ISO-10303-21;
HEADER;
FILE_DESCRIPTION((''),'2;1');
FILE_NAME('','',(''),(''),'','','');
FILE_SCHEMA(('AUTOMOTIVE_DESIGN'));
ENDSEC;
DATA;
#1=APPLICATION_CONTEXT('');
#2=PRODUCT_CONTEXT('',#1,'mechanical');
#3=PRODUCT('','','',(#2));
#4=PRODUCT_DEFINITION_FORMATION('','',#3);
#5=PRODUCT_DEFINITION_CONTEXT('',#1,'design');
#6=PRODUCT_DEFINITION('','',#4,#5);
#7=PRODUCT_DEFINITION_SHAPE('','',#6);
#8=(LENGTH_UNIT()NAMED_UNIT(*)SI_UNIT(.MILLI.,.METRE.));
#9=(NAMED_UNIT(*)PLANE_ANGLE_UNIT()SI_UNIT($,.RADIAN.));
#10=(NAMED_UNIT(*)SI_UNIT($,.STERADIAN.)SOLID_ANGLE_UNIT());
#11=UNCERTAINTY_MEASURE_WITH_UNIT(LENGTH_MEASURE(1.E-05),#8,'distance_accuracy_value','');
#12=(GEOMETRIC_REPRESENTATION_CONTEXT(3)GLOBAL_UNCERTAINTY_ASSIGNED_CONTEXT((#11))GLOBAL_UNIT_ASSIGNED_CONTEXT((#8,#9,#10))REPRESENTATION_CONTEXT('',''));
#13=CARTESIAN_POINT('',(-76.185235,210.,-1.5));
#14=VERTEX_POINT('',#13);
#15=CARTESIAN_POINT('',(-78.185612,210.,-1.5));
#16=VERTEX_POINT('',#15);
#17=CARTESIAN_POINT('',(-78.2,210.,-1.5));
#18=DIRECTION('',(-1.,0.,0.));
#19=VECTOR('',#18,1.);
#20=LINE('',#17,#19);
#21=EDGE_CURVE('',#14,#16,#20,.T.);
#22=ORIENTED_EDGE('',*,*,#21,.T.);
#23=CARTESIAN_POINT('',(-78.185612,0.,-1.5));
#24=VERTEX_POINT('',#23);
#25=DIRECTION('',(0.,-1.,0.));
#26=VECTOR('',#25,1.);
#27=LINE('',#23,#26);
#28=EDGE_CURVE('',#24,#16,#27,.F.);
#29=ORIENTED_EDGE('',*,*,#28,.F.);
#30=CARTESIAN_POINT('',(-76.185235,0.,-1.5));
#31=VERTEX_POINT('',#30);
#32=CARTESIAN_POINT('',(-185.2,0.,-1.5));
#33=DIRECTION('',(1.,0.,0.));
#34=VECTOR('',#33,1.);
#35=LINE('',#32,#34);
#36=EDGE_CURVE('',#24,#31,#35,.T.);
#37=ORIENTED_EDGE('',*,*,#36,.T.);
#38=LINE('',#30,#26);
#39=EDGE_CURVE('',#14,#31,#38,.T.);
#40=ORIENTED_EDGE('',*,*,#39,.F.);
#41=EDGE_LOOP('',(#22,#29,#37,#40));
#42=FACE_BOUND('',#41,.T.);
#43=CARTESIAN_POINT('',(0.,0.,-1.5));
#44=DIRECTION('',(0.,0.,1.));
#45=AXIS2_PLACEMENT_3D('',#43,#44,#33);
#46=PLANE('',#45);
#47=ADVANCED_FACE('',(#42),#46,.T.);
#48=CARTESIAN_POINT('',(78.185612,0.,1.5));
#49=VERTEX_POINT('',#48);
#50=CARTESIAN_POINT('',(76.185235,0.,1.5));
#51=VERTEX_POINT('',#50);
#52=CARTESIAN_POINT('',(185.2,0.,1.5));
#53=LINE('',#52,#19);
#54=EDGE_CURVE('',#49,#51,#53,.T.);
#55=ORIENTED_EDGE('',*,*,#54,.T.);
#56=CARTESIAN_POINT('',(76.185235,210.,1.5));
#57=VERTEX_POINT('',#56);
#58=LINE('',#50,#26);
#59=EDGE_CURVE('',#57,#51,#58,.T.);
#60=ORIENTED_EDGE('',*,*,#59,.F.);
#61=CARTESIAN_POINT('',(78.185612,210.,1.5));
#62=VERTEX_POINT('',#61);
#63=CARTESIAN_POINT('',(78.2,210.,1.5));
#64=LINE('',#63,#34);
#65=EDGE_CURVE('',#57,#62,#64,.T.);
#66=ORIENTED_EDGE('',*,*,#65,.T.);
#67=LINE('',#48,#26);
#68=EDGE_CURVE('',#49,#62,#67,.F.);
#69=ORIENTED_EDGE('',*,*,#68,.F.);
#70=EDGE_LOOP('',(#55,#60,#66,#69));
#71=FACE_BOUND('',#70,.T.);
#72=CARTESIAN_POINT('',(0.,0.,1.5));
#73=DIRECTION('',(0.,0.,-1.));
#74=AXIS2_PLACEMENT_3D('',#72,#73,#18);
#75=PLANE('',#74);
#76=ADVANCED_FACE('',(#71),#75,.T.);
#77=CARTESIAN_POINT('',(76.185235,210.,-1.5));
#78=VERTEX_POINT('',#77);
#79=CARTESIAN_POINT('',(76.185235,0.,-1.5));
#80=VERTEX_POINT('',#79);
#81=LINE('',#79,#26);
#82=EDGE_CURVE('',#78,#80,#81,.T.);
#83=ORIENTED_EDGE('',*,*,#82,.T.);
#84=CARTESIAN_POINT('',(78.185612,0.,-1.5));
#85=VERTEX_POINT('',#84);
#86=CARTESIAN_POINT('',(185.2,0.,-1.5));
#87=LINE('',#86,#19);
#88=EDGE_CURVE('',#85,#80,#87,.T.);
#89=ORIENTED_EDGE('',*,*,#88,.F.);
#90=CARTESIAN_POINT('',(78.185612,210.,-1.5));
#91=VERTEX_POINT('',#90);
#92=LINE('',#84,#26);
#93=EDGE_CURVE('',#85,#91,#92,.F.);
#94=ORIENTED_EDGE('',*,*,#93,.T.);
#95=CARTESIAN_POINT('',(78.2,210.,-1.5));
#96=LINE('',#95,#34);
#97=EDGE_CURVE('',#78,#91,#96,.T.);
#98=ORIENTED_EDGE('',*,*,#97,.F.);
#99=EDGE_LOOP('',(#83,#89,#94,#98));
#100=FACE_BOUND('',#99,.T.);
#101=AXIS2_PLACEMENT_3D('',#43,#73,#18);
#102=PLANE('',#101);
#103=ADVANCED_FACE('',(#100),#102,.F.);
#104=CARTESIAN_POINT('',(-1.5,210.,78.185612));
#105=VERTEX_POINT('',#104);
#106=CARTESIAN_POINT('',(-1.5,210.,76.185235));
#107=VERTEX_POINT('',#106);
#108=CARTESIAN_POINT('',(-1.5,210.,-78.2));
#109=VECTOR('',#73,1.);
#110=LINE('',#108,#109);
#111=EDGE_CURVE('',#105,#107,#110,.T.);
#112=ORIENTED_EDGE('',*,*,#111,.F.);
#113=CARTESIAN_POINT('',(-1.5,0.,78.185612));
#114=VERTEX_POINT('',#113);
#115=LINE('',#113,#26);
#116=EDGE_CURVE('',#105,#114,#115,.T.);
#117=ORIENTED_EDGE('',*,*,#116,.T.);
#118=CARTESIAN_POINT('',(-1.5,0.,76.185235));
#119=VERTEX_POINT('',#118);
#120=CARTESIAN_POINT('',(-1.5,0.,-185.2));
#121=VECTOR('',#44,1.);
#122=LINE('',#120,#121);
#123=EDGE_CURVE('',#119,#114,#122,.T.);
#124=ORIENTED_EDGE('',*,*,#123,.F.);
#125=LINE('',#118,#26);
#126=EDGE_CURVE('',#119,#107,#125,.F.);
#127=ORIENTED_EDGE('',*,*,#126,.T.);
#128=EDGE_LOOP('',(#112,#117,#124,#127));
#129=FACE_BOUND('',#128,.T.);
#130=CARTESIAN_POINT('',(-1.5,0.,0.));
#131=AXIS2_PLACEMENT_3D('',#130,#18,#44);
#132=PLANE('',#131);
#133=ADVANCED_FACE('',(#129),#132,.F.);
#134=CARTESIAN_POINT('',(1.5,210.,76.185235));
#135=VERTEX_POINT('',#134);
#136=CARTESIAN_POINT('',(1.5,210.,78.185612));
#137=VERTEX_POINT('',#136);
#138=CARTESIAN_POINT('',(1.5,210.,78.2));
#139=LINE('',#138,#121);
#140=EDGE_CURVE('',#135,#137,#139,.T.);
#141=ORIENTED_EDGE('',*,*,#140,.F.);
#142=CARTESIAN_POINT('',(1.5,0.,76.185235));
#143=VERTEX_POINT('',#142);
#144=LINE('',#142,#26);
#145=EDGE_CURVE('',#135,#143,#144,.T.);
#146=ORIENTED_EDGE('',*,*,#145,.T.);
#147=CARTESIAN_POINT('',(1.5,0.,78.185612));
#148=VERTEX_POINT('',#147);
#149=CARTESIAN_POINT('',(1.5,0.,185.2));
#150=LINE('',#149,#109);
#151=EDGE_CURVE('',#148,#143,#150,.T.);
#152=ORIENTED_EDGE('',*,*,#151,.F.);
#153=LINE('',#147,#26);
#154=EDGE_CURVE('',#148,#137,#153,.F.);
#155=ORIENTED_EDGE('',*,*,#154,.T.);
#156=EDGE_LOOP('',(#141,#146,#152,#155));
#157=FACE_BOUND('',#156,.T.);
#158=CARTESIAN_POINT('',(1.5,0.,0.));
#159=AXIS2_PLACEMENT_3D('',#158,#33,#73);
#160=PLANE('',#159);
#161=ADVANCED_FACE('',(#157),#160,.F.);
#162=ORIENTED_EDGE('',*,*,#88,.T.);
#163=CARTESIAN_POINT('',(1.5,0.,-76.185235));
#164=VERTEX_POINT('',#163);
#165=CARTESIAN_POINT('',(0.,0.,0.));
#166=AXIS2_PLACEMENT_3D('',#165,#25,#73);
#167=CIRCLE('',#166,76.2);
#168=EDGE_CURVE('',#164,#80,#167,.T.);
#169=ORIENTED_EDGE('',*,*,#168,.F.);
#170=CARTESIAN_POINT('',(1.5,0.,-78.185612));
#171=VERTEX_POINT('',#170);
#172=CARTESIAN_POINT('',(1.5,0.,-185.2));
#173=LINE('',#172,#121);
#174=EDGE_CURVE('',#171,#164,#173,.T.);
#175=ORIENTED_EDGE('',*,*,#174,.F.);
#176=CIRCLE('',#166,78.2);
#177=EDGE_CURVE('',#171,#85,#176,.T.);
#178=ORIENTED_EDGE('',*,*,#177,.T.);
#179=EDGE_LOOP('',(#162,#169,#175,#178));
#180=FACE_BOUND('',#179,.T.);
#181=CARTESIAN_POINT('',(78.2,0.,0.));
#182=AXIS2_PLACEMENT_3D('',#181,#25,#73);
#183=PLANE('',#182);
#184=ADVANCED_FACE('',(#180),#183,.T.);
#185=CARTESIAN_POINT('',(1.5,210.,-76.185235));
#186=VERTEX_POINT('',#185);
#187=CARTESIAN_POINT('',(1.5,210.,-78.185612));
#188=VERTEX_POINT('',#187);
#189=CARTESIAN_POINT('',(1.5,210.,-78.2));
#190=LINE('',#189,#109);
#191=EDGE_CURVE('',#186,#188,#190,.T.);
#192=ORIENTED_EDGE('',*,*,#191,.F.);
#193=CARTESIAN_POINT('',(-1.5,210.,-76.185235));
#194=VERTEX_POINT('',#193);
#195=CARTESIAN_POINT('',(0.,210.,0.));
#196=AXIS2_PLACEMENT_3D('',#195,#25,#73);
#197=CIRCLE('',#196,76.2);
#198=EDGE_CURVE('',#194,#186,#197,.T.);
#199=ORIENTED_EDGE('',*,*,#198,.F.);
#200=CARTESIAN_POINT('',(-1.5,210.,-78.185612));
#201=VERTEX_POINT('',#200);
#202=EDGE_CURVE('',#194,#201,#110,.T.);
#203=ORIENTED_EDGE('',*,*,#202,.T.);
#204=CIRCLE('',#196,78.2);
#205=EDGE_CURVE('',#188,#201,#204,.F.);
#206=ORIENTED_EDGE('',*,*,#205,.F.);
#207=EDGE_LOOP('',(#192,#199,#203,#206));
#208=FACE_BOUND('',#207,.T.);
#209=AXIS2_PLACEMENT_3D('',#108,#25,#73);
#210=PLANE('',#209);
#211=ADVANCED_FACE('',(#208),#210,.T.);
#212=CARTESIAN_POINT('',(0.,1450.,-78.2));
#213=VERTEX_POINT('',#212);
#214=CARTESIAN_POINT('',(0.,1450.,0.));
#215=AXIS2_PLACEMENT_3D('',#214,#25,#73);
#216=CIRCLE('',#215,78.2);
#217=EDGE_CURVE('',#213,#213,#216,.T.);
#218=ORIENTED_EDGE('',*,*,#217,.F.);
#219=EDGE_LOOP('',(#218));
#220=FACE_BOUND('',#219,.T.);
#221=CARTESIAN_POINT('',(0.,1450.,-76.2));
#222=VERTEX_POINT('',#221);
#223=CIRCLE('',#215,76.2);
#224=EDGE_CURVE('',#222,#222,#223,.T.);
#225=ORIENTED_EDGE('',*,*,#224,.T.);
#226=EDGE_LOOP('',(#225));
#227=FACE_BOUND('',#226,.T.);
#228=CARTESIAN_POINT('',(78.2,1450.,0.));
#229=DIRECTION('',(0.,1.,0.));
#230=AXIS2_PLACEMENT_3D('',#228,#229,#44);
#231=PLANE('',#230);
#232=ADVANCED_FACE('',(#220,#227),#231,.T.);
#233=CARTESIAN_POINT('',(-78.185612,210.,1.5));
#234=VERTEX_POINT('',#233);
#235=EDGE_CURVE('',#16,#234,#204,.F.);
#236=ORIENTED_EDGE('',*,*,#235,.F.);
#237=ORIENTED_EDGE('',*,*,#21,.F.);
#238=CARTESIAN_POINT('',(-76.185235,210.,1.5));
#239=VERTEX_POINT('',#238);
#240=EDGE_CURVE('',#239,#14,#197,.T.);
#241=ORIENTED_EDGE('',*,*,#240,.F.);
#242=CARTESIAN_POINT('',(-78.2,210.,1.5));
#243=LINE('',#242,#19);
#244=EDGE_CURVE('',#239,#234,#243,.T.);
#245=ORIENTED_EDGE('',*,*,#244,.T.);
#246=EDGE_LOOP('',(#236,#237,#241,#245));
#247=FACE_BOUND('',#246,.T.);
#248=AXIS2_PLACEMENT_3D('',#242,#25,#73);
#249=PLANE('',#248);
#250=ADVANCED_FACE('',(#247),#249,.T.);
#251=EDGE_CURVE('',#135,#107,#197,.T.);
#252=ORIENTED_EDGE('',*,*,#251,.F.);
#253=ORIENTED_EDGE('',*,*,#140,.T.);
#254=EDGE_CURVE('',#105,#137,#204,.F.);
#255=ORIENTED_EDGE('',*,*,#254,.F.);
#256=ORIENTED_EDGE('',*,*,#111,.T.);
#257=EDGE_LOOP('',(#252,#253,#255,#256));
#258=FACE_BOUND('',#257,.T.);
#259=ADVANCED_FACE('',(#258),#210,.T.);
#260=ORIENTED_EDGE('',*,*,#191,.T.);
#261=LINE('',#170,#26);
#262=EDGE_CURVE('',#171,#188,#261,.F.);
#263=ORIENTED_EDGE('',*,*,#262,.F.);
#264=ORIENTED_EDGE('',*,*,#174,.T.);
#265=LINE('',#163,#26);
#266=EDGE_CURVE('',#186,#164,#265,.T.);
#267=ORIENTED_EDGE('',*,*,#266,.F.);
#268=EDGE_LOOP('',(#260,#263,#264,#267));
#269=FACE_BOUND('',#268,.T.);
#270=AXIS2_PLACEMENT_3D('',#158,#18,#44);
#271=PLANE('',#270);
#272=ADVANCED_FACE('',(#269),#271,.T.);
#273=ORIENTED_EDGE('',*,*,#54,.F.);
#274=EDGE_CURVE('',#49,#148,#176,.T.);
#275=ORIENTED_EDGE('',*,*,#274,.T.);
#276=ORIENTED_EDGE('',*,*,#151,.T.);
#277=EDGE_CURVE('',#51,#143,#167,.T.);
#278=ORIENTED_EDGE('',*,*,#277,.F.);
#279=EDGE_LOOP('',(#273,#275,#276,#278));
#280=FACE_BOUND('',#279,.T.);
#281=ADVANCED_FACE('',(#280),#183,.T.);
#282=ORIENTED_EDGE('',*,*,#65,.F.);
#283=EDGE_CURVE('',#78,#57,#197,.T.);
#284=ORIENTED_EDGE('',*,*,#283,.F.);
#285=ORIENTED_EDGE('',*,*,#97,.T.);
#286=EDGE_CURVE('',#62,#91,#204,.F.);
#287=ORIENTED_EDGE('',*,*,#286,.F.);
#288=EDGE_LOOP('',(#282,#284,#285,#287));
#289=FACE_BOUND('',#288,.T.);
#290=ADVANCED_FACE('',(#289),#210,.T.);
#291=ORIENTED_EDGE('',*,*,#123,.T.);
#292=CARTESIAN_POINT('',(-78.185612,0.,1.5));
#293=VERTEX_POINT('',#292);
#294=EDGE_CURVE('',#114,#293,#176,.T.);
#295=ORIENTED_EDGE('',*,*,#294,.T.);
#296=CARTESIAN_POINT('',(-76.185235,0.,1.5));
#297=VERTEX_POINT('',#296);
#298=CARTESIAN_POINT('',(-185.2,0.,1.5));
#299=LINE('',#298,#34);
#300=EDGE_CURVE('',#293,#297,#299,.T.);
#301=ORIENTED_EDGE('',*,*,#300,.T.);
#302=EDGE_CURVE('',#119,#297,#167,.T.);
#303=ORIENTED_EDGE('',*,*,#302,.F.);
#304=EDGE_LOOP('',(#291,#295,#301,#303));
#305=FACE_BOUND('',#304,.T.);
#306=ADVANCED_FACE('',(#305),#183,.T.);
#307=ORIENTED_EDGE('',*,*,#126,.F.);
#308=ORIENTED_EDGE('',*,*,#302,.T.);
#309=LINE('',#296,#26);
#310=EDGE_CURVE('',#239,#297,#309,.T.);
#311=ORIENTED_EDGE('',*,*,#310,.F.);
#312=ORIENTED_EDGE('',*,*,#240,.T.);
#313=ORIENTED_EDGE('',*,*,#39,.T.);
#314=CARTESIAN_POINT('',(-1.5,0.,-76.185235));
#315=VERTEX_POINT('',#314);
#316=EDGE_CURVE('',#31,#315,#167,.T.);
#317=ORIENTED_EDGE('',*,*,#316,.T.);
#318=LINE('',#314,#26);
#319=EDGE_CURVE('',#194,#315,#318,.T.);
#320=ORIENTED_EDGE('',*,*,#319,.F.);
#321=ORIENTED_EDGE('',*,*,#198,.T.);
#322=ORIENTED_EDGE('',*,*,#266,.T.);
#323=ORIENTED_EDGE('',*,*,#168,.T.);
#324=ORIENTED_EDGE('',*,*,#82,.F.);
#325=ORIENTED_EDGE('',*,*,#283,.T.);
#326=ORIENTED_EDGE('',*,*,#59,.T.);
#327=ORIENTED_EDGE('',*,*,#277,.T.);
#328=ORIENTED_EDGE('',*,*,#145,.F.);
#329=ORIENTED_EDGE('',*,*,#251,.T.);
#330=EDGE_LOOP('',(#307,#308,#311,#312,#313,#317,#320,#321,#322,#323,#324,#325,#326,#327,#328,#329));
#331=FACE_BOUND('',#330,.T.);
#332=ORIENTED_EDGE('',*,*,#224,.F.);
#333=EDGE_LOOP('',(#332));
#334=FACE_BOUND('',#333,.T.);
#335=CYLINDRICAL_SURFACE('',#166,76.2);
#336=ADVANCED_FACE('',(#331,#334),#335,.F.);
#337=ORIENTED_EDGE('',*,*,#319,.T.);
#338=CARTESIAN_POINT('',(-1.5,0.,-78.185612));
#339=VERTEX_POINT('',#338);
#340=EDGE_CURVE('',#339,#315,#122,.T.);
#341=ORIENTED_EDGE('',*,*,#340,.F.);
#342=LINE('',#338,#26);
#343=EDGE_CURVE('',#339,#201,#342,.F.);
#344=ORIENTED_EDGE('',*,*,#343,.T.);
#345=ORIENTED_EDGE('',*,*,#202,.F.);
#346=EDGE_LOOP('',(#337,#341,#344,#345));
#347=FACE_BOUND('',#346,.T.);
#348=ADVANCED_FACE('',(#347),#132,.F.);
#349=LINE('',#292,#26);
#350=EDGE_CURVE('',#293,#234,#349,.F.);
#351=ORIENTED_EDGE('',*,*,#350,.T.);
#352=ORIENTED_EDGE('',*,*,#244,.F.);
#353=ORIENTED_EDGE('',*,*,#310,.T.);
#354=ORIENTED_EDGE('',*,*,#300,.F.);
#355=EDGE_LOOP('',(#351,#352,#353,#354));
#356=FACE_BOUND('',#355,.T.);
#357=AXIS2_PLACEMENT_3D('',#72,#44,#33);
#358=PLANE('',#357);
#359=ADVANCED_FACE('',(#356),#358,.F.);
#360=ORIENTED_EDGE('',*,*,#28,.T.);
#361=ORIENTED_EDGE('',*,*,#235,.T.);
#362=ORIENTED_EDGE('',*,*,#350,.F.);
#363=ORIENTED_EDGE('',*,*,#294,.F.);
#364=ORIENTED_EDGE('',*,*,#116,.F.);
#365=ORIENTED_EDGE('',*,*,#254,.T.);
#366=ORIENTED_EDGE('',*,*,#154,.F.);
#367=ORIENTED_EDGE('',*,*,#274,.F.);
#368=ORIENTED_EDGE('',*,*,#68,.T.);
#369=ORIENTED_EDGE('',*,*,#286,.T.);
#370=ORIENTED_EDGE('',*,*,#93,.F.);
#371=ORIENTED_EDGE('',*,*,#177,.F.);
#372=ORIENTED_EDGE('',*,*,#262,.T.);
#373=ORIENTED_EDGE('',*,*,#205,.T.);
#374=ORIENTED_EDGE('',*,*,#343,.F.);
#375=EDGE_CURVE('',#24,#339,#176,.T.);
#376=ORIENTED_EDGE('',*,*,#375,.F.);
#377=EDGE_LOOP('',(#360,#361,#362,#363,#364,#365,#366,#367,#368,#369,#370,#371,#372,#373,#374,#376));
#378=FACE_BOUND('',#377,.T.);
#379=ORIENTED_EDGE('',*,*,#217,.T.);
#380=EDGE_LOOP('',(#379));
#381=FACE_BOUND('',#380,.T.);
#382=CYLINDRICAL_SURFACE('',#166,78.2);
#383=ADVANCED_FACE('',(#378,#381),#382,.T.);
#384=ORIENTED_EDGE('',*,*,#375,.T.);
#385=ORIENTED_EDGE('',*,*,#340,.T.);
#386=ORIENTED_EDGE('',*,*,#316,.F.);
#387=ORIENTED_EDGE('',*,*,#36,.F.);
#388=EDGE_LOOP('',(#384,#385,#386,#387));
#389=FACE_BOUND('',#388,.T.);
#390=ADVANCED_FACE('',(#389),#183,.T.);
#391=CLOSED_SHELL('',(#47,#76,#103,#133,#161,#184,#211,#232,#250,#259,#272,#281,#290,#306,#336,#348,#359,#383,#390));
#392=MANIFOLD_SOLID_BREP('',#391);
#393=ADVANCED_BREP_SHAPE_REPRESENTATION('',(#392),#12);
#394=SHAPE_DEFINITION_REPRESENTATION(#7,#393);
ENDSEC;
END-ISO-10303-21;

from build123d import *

# Parameters (mm, degrees)
SKETCH1_W          = 2
SKETCH1_H          = 1450
CUT_EXTRUDE1_DEPTH = 1.5
CIRPATTERN1_COUNT  = 4


with BuildPart() as part:
    # Sketch1 → Revolve1 (revolve)
    with BuildSketch(Plane.XY):
        with Locations((77.2, 725)):
            Rectangle(SKETCH1_W, SKETCH1_H)
    revolve(axis=Axis((0, 0, 0), (0, 1, 0)))

    # Sketch2 → Cut-Extrude1 (cut, symmetric)
    with BuildSketch(Plane.XY):
        Polygon((-185.2, 150), (-185.2, 0), (-78.2, 0), (0, 0), (0, 210), (-78.2, 210), align=None)
    cut_extrude1 = extrude(amount=CUT_EXTRUDE1_DEPTH, both=True, mode=Mode.SUBTRACT)

    # CirPattern1: Cut-Extrude1 ×4 about axis
    cirpattern1_axis = Axis((0, 0, 0), (0, -1, 0))
    for i in range(1, CIRPATTERN1_COUNT):
        add(cut_extrude1.rotate(cirpattern1_axis, i * 360 / CIRPATTERN1_COUNT), mode=Mode.SUBTRACT)


solid = part.part
